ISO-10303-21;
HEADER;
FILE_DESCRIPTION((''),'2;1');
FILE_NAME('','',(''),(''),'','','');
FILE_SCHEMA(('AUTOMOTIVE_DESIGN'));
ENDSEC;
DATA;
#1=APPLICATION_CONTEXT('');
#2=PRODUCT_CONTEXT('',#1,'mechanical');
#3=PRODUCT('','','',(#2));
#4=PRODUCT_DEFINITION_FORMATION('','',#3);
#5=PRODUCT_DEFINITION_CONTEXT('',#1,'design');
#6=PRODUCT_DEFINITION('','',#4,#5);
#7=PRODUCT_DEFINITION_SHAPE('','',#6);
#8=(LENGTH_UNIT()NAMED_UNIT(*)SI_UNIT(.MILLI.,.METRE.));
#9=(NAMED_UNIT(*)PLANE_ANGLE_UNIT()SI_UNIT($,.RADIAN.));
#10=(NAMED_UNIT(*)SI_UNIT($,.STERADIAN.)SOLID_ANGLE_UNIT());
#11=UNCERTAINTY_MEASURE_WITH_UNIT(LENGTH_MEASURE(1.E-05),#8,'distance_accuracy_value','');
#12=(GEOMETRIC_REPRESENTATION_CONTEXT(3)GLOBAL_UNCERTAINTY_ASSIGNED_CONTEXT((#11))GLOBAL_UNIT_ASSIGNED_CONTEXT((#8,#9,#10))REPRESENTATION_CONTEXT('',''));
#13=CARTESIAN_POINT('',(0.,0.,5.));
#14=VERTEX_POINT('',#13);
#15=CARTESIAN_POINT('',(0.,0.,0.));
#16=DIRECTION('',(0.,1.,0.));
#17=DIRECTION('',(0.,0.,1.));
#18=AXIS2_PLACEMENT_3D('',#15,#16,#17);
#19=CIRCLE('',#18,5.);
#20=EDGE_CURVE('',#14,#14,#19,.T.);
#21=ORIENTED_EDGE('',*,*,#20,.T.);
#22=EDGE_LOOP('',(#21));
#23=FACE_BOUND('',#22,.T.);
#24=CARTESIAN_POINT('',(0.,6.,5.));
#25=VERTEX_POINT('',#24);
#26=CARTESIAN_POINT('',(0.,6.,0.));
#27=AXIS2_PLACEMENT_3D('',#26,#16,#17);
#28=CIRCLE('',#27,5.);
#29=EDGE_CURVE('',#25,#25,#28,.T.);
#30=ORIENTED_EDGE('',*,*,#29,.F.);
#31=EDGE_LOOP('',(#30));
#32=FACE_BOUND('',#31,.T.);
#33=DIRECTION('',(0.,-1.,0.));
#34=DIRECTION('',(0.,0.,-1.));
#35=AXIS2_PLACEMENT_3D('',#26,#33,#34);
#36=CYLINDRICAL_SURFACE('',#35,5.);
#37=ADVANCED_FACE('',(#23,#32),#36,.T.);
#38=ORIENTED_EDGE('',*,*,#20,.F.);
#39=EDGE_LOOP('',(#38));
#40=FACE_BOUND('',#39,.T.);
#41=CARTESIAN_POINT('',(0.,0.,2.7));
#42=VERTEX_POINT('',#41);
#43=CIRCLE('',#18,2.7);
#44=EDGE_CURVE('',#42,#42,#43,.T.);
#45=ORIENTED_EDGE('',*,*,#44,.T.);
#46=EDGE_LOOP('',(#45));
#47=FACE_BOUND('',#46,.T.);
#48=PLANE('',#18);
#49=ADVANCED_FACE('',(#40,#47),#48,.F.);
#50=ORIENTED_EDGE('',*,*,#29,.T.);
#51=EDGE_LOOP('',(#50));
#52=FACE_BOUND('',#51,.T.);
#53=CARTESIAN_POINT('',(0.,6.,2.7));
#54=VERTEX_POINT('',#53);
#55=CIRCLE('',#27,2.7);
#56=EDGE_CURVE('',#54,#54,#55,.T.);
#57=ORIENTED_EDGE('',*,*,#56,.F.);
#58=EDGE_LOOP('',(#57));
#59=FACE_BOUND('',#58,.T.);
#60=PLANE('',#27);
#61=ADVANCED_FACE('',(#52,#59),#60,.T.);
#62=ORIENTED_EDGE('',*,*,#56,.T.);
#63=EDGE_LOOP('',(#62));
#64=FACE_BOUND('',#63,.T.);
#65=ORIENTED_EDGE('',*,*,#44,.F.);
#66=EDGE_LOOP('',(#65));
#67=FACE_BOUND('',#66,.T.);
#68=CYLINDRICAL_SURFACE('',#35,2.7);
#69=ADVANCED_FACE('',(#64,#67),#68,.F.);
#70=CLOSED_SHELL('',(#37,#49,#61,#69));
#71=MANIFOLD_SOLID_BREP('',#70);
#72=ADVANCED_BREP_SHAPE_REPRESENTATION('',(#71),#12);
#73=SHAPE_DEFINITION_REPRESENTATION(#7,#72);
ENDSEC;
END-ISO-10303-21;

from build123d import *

# Parameters (mm, degrees)
SKETCH1_R           = 5
SKETCH1_R_2         = 2.7
BOSS_EXTRUDE1_DEPTH = 6


with BuildPart() as part:
    # Sketch1 → Boss-Extrude1 (new body)
    with BuildSketch(Plane(origin=(0, 0, 0), x_dir=(1, 0, 0), z_dir=(0, 1, 0))):
        Circle(SKETCH1_R)
        Circle(SKETCH1_R_2, mode=Mode.SUBTRACT)
    extrude(amount=BOSS_EXTRUDE1_DEPTH)


solid = part.part
